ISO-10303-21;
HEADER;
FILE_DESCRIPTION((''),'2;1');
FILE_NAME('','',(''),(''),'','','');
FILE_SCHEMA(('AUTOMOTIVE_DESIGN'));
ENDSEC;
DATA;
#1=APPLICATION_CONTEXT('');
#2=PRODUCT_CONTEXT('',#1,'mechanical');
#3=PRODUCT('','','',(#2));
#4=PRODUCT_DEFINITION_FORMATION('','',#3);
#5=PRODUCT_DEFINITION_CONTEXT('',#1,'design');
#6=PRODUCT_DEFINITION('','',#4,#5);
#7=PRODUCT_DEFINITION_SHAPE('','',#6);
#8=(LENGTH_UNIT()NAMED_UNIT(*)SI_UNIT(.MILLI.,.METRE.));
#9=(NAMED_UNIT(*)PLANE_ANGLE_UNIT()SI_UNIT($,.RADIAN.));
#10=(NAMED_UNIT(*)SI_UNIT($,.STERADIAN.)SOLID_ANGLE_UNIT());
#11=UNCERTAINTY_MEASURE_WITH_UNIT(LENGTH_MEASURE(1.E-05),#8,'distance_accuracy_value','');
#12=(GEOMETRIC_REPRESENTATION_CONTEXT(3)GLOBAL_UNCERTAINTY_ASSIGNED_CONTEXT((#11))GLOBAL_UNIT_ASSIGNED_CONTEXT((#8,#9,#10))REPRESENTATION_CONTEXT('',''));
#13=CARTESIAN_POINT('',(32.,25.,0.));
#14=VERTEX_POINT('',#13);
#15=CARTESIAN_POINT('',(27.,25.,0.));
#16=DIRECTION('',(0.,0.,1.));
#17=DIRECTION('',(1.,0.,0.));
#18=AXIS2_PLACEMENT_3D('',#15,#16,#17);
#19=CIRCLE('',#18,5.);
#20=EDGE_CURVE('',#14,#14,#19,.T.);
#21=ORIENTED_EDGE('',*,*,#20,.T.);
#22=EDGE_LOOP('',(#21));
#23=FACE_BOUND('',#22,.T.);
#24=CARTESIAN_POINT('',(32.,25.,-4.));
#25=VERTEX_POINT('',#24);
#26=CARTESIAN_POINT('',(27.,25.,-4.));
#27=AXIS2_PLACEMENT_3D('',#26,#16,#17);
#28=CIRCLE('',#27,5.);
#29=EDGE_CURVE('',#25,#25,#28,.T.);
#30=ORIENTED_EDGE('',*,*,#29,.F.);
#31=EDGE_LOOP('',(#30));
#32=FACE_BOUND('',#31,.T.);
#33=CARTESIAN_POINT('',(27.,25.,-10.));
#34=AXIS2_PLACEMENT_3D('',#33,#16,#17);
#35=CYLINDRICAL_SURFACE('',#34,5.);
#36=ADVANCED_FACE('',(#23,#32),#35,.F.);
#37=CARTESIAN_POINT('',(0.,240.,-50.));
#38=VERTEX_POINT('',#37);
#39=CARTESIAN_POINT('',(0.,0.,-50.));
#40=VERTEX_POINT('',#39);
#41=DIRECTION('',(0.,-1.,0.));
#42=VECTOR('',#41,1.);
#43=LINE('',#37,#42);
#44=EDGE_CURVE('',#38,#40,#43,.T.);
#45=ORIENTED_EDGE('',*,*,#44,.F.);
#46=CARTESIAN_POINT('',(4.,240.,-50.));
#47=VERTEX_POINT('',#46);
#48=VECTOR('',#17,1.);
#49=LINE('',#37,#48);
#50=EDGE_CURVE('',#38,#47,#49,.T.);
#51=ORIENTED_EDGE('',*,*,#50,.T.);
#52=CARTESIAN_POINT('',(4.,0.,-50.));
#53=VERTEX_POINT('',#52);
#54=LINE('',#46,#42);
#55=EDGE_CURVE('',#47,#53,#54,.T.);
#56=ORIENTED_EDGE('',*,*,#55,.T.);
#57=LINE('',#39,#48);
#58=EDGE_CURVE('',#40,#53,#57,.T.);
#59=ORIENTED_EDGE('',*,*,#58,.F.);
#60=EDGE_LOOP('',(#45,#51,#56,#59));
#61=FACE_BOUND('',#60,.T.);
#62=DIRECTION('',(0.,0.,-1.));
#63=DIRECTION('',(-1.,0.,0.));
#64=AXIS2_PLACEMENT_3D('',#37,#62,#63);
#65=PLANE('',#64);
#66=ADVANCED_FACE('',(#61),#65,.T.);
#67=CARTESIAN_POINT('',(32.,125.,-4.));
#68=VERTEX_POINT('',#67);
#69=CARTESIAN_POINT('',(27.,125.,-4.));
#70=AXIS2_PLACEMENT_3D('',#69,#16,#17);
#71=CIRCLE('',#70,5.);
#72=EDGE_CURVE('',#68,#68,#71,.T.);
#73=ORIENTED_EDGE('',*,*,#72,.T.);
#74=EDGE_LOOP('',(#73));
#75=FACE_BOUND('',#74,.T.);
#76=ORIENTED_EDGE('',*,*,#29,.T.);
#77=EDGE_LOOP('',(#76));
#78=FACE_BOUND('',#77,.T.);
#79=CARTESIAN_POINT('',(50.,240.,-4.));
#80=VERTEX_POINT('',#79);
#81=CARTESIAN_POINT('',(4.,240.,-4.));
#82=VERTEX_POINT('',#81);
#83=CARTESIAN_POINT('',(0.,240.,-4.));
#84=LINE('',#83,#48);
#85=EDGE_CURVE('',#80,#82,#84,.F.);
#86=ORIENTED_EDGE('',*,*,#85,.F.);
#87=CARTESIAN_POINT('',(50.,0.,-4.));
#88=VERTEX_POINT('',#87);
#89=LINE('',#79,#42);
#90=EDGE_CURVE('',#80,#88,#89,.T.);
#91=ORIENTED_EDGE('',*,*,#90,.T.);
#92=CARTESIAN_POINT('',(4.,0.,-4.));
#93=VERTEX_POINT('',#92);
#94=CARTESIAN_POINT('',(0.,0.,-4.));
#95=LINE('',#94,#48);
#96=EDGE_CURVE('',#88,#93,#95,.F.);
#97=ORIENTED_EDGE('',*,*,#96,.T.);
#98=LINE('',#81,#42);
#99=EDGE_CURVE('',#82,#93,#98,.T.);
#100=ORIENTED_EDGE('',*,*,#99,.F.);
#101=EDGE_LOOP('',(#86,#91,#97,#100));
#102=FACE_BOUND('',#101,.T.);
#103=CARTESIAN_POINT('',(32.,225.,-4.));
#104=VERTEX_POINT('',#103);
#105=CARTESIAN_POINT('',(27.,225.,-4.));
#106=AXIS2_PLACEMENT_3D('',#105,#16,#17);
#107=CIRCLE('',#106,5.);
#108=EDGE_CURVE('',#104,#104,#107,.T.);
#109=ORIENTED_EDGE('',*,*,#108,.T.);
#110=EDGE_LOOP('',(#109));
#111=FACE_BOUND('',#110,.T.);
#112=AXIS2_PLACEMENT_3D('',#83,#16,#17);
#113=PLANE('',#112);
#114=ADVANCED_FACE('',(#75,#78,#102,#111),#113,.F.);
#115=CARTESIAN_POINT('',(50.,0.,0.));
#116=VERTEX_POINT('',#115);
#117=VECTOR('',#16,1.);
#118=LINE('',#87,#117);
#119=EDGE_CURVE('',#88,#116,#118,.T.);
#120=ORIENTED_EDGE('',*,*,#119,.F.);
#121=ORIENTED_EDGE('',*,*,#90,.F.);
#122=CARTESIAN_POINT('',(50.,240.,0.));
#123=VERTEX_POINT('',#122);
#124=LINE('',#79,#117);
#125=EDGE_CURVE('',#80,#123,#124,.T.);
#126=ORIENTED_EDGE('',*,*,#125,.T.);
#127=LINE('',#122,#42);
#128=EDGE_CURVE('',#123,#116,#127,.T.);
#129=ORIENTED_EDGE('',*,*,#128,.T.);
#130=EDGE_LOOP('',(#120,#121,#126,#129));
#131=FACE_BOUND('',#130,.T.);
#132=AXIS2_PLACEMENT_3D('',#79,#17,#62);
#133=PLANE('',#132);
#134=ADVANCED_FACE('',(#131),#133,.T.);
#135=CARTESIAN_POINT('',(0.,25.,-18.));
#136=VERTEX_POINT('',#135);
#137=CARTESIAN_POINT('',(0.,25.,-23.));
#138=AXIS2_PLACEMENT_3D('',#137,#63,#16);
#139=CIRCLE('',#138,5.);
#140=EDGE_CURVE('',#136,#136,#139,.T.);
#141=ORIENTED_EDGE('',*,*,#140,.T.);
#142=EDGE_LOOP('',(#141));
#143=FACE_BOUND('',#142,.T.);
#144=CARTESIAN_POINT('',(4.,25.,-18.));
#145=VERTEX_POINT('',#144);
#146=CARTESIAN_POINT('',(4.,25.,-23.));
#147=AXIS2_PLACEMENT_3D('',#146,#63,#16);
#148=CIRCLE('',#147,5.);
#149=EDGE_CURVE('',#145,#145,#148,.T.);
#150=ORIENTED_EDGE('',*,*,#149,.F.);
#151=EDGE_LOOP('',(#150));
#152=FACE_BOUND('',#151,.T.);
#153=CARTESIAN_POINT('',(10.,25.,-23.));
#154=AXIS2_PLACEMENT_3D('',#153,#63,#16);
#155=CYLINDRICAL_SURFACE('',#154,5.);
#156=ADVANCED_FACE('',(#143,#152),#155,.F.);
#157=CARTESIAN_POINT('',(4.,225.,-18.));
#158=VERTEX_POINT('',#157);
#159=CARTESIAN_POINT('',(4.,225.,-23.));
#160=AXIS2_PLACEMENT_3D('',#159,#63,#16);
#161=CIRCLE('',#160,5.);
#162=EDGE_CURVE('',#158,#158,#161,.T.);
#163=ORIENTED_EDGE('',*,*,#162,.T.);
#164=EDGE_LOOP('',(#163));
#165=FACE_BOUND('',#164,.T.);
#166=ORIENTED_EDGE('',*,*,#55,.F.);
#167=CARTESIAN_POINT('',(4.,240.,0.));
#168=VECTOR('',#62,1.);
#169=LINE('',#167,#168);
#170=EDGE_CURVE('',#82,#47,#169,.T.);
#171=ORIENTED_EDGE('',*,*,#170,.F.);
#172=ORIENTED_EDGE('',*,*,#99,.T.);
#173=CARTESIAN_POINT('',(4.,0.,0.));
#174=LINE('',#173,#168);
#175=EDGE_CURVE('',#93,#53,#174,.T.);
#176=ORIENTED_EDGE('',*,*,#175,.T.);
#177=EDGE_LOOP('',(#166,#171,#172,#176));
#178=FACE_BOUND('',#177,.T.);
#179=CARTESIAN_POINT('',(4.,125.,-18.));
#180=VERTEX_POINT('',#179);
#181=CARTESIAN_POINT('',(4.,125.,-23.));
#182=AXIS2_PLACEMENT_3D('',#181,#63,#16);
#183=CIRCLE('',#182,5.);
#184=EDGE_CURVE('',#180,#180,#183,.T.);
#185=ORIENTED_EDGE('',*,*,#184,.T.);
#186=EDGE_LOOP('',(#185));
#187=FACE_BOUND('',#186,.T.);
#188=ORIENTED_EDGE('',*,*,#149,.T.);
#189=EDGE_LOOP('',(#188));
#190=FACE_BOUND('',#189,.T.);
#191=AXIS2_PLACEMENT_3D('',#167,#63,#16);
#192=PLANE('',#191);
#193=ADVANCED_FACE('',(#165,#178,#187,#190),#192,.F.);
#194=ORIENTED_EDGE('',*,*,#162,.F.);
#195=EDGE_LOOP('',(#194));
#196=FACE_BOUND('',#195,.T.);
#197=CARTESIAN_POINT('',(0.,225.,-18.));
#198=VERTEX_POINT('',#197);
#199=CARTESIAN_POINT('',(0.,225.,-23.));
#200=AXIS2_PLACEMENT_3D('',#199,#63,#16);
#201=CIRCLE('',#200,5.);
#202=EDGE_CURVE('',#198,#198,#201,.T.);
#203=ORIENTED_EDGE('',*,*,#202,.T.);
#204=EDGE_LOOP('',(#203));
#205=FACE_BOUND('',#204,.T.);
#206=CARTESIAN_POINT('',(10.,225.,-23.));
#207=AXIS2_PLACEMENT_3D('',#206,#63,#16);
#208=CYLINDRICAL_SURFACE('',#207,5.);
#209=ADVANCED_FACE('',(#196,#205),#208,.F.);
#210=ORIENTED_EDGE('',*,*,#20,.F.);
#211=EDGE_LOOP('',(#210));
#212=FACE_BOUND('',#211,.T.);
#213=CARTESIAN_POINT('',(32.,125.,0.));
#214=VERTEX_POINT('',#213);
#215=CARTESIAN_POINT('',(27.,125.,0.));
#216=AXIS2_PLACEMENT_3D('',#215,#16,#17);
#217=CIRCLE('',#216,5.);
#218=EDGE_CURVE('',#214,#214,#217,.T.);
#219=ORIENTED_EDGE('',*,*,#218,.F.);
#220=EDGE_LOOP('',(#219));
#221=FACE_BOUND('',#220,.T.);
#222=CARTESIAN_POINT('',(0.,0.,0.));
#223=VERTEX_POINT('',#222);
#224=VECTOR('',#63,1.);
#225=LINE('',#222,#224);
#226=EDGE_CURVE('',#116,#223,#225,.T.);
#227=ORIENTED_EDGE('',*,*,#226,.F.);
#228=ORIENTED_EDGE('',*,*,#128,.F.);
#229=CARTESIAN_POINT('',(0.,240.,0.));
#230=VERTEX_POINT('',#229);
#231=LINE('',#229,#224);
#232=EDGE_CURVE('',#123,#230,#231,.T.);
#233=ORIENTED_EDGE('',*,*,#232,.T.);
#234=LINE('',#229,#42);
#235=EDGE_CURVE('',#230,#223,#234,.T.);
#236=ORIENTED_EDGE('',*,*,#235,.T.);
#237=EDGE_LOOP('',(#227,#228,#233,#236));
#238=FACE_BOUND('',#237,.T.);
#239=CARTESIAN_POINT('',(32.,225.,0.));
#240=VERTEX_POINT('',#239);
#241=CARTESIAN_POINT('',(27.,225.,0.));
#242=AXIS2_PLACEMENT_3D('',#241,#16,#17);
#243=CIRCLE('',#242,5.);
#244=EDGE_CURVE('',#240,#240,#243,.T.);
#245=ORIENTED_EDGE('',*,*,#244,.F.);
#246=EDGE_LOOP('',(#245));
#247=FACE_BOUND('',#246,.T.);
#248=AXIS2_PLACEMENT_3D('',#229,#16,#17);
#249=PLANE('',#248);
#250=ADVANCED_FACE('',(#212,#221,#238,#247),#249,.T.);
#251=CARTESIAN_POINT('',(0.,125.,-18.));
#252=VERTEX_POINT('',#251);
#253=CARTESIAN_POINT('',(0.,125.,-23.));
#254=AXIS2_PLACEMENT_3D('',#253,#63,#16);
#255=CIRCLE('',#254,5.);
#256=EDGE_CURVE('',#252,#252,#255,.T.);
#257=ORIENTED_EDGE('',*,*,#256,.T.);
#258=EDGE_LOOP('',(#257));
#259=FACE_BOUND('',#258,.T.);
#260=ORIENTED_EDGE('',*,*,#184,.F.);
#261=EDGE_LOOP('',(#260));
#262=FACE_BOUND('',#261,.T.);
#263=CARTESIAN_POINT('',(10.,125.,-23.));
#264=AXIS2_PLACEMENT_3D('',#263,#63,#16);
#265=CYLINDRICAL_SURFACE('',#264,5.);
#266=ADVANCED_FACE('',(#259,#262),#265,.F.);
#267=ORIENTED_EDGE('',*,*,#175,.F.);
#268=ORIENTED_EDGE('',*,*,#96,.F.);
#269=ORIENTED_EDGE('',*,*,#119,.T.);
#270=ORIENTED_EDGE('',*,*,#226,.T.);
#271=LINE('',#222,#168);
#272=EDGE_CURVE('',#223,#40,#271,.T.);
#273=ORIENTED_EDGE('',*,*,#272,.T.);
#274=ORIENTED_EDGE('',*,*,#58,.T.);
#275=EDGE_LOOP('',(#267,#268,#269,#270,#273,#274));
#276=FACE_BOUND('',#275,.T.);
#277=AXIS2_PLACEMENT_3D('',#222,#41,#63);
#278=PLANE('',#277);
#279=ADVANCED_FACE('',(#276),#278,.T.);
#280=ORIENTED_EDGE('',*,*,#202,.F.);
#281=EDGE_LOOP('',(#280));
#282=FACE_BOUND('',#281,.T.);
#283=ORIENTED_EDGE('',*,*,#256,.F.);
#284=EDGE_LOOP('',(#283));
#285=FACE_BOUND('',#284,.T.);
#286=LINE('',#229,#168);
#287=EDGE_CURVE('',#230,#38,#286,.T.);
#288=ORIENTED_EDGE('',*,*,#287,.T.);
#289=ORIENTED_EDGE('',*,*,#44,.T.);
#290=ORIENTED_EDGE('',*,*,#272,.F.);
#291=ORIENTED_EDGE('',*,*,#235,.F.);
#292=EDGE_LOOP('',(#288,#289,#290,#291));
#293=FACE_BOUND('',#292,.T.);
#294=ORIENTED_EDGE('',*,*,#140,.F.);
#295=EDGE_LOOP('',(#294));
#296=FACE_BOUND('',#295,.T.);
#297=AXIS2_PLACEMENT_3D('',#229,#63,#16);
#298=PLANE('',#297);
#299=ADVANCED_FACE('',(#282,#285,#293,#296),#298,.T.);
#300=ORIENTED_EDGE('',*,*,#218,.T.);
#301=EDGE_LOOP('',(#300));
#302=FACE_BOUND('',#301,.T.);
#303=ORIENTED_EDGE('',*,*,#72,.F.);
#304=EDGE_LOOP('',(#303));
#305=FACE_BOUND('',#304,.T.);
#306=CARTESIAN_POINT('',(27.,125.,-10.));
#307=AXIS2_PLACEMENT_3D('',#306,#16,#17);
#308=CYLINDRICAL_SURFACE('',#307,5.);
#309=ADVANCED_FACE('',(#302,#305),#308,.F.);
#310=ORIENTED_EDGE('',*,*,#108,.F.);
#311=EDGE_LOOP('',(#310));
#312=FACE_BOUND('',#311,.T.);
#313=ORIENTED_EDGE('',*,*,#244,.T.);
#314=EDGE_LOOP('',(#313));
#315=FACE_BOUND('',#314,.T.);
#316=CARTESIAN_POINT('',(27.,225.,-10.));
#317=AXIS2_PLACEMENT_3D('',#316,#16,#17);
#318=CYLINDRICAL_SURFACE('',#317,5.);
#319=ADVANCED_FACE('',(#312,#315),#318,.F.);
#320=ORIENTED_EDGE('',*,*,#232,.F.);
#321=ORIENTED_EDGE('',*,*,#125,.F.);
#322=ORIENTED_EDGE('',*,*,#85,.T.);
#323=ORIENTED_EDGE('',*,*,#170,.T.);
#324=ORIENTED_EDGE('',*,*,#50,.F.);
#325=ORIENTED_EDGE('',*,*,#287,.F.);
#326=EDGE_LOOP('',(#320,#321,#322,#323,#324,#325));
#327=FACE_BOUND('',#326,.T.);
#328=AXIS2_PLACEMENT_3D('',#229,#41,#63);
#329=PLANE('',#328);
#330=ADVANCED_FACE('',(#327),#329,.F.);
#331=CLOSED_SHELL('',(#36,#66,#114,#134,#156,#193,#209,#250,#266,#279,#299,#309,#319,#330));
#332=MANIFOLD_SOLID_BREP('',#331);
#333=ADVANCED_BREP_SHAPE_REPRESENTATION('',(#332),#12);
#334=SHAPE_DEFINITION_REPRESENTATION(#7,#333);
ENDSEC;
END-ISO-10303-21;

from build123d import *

# Parameters (mm, degrees)
EXTRUDE_1_DEPTH     = 240
SKETCH_2_R          = 5
CUT_EXTRUDE_1_DEPTH = 10
SKETCH_3_R          = 5
CUT_EXTRUDE_2_DEPTH = 10


with BuildPart() as part:
    # Эскиз1 → Вытянуть-Тонкостенный1 (new body)
    with BuildSketch(Plane(origin=(0, 0, 0), x_dir=(1, 0, 0), z_dir=(0, 1, 0))):
        Polygon((0, 50), (0, 0), (50, 0), (50, 4), (4, 4), (4, 50), align=None)
    extrude(amount=EXTRUDE_1_DEPTH)

    # Эскиз2 → Вырез-Вытянуть1 (cut)
    with BuildSketch(Plane.XY):
        with Locations((27, 225)):
            Circle(SKETCH_2_R)
        with Locations((27, 125)):
            Circle(SKETCH_2_R)
        with Locations((27, 25)):
            Circle(SKETCH_2_R)
    extrude(amount=-CUT_EXTRUDE_1_DEPTH, mode=Mode.SUBTRACT)

    # Эскиз3 → Вырез-Вытянуть2 (cut)
    with BuildSketch(Plane.ZY):
        with Locations((-23, 225)):
            Circle(SKETCH_3_R)
        with Locations((-23, 125)):
            Circle(SKETCH_3_R)
        with Locations((-23, 25)):
            Circle(SKETCH_3_R)
    extrude(amount=-CUT_EXTRUDE_2_DEPTH, mode=Mode.SUBTRACT)


solid = part.part
